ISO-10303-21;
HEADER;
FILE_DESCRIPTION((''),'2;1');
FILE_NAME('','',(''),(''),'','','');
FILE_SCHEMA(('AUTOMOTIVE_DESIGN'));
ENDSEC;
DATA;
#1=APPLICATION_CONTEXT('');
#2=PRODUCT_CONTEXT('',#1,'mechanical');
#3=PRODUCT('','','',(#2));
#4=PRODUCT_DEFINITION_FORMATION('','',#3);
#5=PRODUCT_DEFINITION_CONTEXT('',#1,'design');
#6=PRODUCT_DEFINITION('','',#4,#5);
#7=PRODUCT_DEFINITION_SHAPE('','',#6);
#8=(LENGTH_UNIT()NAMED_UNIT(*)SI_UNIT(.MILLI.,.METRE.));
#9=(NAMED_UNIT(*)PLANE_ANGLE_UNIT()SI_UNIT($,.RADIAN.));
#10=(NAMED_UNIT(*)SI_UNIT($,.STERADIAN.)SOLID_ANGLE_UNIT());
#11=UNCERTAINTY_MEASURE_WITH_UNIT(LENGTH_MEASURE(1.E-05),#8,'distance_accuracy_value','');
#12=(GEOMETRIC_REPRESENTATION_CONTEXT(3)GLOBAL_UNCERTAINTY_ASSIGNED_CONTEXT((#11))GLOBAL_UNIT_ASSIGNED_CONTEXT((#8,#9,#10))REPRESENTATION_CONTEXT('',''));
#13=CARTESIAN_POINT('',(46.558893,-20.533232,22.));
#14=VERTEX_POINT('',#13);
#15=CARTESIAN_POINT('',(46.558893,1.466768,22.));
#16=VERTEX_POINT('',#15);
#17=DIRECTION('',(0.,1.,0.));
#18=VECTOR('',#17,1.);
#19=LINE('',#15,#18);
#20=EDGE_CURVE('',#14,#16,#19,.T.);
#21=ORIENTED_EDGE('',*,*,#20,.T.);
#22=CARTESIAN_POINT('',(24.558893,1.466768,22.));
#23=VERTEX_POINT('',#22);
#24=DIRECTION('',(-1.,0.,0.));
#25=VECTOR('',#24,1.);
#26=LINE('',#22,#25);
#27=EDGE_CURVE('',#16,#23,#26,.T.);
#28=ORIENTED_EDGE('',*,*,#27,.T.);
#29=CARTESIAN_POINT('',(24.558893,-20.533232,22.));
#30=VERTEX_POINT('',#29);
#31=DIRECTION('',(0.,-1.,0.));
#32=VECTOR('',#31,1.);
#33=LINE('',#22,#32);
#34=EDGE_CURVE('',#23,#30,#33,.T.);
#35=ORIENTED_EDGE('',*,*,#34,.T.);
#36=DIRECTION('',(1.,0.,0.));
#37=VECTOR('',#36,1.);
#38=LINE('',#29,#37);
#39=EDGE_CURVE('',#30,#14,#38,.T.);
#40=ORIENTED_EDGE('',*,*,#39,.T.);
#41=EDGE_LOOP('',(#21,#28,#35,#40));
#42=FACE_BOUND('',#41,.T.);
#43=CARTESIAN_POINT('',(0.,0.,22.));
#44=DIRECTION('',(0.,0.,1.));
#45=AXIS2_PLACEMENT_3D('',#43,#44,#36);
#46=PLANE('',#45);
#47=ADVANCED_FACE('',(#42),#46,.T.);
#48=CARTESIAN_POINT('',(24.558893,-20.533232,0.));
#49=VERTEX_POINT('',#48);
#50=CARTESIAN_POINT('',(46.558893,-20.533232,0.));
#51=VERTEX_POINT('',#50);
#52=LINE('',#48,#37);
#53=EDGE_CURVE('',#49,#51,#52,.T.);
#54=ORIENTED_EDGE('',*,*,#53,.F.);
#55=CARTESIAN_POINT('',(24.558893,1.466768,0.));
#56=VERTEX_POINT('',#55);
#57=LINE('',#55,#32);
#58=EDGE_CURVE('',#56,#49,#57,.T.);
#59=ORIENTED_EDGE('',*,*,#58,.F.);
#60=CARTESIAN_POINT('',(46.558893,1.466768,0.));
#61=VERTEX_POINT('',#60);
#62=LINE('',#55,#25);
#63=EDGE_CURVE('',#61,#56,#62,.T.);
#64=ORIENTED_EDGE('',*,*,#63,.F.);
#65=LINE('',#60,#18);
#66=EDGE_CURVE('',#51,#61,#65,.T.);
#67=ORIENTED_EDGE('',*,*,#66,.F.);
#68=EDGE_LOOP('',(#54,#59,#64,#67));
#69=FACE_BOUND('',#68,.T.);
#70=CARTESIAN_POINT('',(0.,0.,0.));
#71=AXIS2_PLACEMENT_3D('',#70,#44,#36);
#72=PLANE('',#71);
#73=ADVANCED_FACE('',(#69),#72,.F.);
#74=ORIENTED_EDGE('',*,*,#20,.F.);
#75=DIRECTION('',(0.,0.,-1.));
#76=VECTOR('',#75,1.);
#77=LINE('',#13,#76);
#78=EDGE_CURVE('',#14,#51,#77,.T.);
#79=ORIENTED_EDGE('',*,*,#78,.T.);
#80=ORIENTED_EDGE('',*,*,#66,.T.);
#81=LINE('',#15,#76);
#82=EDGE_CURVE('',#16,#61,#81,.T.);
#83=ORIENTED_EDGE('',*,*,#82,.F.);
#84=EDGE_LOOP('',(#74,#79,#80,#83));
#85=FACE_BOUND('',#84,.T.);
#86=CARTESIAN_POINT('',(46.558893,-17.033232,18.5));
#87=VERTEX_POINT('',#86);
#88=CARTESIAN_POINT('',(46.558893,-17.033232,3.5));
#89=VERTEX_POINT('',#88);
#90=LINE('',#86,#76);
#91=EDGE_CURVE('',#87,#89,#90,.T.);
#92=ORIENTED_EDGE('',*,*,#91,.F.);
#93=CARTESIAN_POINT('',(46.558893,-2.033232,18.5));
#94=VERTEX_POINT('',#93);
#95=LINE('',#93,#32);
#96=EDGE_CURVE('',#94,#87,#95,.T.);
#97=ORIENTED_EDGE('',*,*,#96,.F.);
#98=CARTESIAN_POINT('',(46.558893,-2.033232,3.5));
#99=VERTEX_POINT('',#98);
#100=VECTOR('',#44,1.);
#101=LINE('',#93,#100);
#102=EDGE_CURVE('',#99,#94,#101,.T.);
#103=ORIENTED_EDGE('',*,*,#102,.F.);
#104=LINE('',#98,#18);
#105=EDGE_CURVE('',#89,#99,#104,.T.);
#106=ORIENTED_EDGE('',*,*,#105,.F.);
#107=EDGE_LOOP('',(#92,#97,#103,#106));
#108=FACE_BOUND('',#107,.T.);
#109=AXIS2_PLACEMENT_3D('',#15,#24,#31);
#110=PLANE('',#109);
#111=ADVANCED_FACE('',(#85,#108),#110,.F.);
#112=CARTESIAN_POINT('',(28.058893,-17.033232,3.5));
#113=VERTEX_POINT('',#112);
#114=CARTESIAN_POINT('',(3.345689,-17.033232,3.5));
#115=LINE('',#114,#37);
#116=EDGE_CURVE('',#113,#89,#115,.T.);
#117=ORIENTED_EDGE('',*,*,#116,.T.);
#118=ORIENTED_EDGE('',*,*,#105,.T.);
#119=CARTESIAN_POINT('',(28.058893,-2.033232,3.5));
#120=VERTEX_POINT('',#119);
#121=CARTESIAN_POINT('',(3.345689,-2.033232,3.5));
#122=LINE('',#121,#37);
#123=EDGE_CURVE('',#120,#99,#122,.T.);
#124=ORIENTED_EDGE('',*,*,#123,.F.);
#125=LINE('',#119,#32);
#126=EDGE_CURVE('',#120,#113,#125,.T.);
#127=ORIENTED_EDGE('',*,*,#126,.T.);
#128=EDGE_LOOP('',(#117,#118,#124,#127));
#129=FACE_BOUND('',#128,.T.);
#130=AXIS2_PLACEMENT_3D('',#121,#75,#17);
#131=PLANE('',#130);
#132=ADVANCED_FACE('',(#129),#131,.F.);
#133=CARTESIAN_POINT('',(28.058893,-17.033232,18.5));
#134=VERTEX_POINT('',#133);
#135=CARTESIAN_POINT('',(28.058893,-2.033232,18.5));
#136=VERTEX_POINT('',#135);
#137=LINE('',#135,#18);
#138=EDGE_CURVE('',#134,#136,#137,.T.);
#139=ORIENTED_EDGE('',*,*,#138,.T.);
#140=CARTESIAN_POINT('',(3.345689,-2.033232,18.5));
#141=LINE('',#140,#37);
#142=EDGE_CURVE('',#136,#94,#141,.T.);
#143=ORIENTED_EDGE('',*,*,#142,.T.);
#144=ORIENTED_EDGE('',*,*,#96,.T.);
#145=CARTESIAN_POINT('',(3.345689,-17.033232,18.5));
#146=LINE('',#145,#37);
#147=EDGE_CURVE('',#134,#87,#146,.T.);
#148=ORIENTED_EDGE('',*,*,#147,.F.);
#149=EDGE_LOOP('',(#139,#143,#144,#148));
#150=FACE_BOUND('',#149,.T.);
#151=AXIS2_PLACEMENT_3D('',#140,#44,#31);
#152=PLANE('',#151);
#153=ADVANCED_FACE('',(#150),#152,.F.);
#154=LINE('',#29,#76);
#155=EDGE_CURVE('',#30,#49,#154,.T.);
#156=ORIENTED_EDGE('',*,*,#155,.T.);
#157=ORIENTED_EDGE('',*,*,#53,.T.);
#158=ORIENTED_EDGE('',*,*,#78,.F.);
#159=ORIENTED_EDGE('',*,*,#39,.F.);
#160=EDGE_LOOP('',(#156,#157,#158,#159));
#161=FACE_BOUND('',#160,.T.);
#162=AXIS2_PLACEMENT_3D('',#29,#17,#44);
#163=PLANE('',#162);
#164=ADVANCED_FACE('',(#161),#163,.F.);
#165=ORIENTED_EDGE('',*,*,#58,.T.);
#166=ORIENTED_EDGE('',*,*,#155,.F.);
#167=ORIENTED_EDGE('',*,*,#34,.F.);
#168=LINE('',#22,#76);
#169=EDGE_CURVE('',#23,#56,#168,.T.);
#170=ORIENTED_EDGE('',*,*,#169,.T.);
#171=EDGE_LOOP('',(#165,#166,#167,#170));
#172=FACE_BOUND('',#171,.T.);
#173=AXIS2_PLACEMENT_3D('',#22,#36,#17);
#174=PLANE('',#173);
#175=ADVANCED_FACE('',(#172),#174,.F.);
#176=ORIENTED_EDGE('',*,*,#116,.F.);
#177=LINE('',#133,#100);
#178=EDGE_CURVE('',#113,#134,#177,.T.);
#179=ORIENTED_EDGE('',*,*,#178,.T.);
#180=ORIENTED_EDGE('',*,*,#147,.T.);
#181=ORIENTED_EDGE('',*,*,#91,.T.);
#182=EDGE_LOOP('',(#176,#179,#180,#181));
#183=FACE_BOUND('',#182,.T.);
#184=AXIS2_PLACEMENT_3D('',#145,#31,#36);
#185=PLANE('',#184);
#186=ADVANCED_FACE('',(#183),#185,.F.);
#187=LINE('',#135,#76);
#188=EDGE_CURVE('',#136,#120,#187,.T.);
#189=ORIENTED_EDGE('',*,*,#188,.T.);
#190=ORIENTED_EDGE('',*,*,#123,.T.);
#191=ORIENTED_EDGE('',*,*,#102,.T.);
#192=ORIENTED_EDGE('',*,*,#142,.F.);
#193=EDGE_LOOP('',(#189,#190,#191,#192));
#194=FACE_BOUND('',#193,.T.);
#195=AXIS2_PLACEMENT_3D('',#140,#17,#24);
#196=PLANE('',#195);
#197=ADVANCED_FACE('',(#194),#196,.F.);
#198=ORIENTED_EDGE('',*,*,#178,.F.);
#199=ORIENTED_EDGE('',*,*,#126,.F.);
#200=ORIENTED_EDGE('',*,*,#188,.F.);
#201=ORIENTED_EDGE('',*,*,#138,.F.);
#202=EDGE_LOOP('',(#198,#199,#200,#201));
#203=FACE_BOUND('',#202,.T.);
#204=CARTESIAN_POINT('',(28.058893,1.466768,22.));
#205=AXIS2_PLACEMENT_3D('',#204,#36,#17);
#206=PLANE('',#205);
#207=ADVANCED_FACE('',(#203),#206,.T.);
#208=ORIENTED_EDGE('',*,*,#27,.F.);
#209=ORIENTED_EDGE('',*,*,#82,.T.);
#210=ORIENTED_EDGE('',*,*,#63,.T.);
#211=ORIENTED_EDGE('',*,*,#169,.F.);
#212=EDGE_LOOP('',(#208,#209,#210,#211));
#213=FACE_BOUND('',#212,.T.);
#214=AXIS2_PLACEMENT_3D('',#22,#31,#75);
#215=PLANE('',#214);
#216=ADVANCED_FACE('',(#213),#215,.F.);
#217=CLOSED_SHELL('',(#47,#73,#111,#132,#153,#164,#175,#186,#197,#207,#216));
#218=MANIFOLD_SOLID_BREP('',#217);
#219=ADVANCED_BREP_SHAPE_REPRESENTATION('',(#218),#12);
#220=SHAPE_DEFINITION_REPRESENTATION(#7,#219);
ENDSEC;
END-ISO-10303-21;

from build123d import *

# Parameters (mm, degrees)
SKETCH1_W           = 22
SKETCH1_H           = 22
BOSS_EXTRUDE1_DEPTH = 22
SKETCH2_W           = 15
SKETCH2_H           = 15
CUT_EXTRUDE1_DEPTH  = 18.5


with BuildPart() as part:
    # Sketch1 → Boss-Extrude1 (new body)
    with BuildSketch(Plane.XY):
        with Locations((35.558892609, -9.533232131)):
            Rectangle(SKETCH1_W, SKETCH1_H)
    extrude(amount=BOSS_EXTRUDE1_DEPTH)

    # Sketch2 → Cut-Extrude1 (cut)
    with BuildSketch(Plane(origin=(46.558892609, 0, 0), x_dir=(0, 0, -1), z_dir=(1, 0, 0))):
        with Locations((-11, -9.533232131)):
            Rectangle(SKETCH2_W, SKETCH2_H)
    extrude(amount=-CUT_EXTRUDE1_DEPTH, mode=Mode.SUBTRACT)


solid = part.part
